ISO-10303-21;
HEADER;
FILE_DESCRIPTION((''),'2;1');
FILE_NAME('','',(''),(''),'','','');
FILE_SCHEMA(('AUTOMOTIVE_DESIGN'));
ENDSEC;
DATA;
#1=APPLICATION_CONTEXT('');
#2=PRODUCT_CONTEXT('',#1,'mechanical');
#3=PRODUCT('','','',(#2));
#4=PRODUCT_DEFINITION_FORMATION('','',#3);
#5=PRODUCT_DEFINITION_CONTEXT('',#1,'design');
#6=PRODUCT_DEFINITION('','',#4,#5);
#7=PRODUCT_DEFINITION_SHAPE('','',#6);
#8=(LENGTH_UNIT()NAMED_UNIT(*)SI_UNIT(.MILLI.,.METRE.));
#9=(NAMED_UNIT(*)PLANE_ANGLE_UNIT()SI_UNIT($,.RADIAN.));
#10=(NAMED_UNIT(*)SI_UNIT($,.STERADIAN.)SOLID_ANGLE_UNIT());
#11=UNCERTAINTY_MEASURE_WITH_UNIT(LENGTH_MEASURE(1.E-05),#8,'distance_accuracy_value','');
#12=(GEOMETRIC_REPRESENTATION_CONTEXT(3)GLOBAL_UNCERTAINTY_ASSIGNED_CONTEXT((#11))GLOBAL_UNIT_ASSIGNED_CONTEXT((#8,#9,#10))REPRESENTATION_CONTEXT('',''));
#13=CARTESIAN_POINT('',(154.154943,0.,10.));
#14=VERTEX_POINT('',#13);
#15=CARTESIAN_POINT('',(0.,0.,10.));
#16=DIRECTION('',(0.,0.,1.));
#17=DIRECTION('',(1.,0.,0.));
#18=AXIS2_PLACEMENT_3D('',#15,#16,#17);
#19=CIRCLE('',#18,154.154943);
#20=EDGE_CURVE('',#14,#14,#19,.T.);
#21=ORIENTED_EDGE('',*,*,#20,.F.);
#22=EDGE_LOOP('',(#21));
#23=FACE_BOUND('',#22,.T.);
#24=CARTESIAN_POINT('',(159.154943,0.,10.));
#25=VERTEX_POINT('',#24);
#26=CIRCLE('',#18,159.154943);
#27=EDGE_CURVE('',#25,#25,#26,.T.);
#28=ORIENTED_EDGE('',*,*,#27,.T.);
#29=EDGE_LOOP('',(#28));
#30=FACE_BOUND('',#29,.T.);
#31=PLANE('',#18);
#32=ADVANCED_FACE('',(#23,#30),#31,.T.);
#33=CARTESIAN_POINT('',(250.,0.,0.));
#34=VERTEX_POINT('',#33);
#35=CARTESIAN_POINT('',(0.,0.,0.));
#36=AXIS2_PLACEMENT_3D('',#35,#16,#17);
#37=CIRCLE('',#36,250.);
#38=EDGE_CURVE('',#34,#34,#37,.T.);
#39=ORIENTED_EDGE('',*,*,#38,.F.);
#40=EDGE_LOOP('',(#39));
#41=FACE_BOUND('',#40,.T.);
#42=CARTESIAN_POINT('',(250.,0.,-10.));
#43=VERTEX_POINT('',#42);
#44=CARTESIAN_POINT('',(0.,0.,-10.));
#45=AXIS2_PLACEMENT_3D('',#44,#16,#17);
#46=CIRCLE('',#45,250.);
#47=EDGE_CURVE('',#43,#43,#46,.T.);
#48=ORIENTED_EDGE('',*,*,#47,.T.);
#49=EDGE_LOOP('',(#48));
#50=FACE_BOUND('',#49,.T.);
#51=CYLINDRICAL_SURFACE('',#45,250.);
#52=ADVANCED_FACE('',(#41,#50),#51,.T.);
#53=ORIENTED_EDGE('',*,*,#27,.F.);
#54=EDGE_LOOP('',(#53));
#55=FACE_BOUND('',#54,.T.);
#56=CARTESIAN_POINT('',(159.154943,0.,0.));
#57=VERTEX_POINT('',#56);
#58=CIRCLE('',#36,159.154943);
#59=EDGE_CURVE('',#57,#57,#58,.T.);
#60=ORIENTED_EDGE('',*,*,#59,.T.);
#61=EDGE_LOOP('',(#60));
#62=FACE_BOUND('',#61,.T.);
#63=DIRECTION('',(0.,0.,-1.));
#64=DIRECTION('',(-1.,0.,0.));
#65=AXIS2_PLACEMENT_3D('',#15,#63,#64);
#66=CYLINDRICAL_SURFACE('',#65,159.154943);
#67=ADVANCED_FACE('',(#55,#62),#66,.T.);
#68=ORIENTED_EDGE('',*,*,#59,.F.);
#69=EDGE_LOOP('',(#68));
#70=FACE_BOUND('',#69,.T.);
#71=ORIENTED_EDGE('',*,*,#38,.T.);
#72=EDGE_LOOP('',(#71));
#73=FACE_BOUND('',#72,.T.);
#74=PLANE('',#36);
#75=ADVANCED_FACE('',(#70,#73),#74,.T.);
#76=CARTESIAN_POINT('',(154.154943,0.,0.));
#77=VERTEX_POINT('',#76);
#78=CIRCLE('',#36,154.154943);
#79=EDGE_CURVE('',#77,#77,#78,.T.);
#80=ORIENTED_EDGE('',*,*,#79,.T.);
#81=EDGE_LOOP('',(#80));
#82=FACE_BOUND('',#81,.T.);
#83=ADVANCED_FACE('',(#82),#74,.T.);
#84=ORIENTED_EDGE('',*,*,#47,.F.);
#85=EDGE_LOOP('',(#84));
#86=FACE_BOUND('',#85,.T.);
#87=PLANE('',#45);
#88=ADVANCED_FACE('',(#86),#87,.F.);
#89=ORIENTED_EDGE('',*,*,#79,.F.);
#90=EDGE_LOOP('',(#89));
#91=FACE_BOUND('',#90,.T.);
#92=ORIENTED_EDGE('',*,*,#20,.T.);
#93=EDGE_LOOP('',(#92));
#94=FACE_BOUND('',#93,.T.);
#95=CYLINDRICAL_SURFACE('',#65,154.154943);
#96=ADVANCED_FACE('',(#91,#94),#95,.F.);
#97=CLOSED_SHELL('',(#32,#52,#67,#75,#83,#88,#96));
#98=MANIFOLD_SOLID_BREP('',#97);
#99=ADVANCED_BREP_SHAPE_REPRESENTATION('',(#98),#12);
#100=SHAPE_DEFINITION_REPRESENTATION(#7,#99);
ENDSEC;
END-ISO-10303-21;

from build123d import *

# Parameters (mm, degrees)
ESQUISSE2_R        = 159.1549431
ESQUISSE2_R_2      = 154.1549431
EXTRU_MINCE1_DEPTH = 10
ESQUISSE3_R        = 250
BOSS_EXTRU_1_DEPTH = 10


with BuildPart() as part:
    # Esquisse2 → Extru.-Mince1 (new body)
    with BuildSketch(Plane.XY):
        Circle(ESQUISSE2_R)
        Circle(ESQUISSE2_R_2, mode=Mode.SUBTRACT)
    extrude(amount=EXTRU_MINCE1_DEPTH)

    # Esquisse3 → Boss.-Extru.1 (add)
    with BuildSketch(Plane.XY):
        Circle(ESQUISSE3_R)
    extrude(amount=-BOSS_EXTRU_1_DEPTH)


solid = part.part
